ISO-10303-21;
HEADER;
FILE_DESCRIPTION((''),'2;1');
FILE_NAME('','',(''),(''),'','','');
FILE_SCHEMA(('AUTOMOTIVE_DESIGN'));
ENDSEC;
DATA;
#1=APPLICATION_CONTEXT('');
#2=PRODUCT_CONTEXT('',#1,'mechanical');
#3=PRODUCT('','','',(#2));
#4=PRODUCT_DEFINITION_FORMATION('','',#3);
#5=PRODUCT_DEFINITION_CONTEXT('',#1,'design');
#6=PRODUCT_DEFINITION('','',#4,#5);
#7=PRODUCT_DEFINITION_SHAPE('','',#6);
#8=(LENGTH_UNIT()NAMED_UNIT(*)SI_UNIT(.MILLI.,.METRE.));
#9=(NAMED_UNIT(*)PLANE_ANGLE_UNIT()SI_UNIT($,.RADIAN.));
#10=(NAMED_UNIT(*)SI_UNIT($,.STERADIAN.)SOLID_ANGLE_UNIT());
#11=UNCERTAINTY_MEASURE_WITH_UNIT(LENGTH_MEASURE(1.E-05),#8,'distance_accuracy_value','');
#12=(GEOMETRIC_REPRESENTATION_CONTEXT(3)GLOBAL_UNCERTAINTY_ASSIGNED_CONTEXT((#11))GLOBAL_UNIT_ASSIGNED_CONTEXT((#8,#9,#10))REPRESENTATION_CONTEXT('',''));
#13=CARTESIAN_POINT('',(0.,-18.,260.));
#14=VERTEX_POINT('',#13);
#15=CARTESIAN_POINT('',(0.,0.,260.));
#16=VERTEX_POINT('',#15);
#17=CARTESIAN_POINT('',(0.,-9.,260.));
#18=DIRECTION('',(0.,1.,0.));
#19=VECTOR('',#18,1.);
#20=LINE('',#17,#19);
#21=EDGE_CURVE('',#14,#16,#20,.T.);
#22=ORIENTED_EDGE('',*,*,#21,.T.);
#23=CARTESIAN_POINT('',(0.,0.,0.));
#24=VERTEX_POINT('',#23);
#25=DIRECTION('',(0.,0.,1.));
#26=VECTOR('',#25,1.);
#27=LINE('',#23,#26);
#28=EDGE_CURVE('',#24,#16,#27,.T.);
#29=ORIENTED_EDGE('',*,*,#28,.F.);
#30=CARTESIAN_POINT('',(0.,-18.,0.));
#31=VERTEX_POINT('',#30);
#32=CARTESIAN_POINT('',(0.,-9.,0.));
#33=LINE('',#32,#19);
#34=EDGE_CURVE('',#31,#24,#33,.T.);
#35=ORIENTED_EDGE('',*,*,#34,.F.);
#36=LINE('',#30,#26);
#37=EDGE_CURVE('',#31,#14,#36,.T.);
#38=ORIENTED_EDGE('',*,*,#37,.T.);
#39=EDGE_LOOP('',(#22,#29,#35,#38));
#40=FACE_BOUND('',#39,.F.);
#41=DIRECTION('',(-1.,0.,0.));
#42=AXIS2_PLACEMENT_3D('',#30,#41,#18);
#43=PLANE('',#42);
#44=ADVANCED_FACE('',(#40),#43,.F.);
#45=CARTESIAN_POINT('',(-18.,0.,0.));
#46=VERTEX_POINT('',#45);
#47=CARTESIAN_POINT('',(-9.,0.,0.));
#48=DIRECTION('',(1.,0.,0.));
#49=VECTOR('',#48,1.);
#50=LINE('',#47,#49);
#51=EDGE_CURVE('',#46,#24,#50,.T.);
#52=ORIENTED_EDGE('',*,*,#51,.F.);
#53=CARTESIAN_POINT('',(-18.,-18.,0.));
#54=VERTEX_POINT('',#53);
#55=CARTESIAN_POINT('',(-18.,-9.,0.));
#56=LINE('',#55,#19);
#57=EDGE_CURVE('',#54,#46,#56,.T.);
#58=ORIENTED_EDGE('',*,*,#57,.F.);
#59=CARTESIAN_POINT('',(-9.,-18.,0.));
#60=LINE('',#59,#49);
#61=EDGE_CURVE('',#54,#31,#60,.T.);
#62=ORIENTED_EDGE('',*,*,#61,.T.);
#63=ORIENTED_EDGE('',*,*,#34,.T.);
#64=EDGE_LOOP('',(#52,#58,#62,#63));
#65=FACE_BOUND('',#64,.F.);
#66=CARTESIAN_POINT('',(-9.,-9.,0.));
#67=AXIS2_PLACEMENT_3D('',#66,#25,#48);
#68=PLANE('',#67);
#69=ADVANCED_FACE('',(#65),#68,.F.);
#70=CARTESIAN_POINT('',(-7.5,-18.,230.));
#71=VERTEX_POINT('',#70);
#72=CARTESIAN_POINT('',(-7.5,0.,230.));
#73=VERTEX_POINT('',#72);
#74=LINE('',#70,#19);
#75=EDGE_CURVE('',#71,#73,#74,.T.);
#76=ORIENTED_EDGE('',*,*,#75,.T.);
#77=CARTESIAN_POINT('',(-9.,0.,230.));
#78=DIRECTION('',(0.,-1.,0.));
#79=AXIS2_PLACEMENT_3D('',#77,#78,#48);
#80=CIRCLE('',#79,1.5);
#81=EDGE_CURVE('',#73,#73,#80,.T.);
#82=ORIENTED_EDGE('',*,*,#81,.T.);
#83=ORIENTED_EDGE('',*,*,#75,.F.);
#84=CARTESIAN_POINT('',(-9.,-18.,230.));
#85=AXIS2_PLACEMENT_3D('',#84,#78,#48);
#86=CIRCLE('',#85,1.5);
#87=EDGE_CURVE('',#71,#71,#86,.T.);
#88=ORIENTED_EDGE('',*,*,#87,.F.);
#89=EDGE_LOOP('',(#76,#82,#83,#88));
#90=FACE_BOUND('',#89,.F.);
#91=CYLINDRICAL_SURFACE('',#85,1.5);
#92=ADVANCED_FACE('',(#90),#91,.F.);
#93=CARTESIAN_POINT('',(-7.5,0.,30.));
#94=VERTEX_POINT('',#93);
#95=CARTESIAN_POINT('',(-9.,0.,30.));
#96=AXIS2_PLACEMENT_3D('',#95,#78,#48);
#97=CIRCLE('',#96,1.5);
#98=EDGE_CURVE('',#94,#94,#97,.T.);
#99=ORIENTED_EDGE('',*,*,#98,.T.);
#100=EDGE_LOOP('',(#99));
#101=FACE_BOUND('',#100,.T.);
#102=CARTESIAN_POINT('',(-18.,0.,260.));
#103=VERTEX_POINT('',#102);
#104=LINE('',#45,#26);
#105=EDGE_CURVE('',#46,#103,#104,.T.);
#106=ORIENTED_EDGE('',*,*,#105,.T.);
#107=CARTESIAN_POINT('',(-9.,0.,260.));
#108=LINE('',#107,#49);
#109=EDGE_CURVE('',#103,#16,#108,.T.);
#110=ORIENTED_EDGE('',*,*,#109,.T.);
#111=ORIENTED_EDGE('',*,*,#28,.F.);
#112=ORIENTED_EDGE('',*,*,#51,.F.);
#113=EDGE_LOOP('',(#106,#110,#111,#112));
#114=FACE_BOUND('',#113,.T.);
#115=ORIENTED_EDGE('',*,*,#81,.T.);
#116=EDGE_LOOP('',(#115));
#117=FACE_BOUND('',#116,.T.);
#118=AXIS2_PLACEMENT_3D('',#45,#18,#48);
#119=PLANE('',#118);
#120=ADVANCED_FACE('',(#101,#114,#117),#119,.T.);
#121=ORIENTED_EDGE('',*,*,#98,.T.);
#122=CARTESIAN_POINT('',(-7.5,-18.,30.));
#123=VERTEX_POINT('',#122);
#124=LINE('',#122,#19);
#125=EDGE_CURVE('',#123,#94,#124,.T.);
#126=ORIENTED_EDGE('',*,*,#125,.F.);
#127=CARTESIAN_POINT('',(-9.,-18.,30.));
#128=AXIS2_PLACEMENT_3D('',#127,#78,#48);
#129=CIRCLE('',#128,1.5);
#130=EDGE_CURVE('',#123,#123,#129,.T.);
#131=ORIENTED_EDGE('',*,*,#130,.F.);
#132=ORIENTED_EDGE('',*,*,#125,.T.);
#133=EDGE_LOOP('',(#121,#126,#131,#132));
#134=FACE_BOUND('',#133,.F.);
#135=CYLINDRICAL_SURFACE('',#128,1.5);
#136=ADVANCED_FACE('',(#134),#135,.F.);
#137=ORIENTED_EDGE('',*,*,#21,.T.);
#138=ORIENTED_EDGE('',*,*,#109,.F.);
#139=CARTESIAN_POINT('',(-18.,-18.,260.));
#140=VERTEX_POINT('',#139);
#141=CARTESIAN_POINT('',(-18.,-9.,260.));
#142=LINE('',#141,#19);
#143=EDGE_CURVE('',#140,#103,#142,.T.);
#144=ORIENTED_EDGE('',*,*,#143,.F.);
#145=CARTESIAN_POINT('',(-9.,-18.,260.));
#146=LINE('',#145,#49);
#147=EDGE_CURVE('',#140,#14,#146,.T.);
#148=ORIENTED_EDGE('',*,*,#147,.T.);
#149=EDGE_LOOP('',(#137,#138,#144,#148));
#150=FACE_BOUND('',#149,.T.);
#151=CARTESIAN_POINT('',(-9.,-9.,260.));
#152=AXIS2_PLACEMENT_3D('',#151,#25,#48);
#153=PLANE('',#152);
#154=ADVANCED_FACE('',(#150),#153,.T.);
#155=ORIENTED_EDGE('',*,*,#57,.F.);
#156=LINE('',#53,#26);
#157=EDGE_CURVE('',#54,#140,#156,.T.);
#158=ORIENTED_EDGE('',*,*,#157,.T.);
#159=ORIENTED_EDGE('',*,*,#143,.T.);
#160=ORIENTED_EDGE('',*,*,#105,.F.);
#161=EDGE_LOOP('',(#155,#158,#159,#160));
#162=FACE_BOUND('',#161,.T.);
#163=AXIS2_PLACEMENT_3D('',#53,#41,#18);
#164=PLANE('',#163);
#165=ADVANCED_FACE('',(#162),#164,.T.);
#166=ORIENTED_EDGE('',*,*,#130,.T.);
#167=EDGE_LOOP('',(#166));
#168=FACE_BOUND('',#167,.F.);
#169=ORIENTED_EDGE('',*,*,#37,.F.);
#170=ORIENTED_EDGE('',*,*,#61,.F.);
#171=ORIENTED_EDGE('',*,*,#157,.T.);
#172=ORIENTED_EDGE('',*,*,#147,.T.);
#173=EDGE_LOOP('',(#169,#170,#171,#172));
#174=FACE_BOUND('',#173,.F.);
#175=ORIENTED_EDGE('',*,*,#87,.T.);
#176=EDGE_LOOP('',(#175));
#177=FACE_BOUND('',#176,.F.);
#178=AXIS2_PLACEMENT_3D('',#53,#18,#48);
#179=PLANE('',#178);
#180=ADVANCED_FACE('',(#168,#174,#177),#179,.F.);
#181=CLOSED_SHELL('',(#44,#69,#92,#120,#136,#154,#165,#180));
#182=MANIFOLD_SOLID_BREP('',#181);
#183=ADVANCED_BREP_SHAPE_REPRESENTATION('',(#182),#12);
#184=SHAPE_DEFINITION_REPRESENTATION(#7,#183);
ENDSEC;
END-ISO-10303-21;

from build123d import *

# Parameters (mm, degrees)
F0_W     = 18
F0_H     = 18
F1_DEPTH = 260
F2_R     = 1.5
F3_DEPTH = 18.001


with BuildPart() as f1:
    # F0 (on Top) → F1 (new body)
    with BuildSketch(Plane.XY):
        with Locations((-9, -9)):
            Rectangle(F0_W, F0_H)
    extrude(amount=F1_DEPTH)

    # F2 (on face) → F3 (cut, through all)
    with BuildSketch(Plane.XZ.offset(18)):
        with Locations((-9, 230)):
            Circle(F2_R)
        with Locations((-9, 30)):
            Circle(F2_R)
    extrude(amount=-F3_DEPTH, mode=Mode.SUBTRACT)


solid = f1.part
